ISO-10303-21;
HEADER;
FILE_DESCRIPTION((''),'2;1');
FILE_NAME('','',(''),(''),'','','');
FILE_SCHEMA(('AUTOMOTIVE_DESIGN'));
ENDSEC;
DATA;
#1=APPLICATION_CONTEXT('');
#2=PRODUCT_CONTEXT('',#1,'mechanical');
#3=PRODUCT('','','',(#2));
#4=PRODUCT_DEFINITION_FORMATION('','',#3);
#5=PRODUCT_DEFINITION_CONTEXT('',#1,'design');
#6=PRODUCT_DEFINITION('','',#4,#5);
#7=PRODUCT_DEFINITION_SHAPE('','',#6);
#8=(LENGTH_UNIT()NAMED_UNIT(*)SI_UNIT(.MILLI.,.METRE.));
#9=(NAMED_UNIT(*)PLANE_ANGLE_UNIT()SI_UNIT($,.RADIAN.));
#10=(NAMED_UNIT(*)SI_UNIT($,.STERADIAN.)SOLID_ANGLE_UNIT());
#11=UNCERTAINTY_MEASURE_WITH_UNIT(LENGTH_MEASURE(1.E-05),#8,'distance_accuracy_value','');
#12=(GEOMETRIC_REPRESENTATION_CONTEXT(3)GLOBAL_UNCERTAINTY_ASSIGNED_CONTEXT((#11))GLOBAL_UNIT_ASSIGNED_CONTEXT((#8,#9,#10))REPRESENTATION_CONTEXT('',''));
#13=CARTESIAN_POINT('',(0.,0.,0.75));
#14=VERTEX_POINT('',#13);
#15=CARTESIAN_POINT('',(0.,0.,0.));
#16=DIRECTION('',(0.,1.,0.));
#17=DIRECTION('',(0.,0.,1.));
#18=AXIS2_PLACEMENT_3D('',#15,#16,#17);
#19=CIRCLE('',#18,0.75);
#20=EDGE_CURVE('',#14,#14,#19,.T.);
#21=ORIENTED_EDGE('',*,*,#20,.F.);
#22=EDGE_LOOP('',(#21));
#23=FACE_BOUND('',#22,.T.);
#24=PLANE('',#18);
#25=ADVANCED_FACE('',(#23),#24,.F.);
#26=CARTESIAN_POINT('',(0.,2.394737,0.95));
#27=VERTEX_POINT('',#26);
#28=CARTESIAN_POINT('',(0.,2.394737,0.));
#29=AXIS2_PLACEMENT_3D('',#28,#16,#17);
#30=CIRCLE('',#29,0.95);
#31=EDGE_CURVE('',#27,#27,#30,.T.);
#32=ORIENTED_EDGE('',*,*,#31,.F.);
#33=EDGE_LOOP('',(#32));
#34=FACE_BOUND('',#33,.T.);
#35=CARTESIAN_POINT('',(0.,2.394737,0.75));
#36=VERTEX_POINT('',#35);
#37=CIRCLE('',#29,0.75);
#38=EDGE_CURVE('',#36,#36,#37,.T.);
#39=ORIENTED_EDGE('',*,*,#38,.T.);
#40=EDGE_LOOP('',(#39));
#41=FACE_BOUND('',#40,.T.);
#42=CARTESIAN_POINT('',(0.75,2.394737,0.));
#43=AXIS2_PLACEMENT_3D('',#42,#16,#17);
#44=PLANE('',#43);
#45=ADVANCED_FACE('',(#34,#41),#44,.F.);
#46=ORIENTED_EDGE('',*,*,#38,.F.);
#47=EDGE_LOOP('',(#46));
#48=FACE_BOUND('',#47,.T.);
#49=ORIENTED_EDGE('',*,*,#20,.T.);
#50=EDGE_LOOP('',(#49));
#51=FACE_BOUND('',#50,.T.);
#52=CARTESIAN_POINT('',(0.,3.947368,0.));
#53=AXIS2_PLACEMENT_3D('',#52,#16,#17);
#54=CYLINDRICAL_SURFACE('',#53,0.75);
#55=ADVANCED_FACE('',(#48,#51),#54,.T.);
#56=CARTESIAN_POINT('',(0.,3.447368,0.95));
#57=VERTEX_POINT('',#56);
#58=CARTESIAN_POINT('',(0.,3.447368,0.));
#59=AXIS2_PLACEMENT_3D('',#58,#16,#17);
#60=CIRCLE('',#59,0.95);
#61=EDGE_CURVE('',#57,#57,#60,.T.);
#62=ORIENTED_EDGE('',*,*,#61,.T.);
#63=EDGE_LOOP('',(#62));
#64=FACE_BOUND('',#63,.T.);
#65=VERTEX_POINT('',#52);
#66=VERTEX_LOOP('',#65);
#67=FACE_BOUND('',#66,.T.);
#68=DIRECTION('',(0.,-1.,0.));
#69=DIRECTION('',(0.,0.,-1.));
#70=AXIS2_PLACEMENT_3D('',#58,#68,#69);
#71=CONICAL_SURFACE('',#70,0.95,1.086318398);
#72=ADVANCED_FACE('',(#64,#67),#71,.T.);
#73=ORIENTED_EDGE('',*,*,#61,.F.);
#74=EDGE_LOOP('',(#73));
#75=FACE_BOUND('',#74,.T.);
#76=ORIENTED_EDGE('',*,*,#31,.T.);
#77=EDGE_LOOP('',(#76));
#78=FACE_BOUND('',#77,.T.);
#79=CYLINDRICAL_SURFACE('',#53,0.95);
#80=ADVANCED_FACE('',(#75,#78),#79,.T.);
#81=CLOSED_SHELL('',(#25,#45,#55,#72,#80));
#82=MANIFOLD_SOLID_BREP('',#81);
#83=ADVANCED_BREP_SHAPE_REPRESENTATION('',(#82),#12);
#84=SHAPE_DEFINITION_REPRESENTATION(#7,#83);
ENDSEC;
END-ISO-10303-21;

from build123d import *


with BuildPart() as part:
    # Sketch2 → Revolve1 (revolve)
    with BuildSketch(Plane.XY):
        Polygon((0, 0), (0.75, 0), (0.75, 2.394736842), (0.95, 2.394736842), (0.95, 3.447368421), (0, 3.947368421), align=None)
    revolve(axis=Axis((0, 3.947368421, 0), (0, -1, 0)))


solid = part.part
